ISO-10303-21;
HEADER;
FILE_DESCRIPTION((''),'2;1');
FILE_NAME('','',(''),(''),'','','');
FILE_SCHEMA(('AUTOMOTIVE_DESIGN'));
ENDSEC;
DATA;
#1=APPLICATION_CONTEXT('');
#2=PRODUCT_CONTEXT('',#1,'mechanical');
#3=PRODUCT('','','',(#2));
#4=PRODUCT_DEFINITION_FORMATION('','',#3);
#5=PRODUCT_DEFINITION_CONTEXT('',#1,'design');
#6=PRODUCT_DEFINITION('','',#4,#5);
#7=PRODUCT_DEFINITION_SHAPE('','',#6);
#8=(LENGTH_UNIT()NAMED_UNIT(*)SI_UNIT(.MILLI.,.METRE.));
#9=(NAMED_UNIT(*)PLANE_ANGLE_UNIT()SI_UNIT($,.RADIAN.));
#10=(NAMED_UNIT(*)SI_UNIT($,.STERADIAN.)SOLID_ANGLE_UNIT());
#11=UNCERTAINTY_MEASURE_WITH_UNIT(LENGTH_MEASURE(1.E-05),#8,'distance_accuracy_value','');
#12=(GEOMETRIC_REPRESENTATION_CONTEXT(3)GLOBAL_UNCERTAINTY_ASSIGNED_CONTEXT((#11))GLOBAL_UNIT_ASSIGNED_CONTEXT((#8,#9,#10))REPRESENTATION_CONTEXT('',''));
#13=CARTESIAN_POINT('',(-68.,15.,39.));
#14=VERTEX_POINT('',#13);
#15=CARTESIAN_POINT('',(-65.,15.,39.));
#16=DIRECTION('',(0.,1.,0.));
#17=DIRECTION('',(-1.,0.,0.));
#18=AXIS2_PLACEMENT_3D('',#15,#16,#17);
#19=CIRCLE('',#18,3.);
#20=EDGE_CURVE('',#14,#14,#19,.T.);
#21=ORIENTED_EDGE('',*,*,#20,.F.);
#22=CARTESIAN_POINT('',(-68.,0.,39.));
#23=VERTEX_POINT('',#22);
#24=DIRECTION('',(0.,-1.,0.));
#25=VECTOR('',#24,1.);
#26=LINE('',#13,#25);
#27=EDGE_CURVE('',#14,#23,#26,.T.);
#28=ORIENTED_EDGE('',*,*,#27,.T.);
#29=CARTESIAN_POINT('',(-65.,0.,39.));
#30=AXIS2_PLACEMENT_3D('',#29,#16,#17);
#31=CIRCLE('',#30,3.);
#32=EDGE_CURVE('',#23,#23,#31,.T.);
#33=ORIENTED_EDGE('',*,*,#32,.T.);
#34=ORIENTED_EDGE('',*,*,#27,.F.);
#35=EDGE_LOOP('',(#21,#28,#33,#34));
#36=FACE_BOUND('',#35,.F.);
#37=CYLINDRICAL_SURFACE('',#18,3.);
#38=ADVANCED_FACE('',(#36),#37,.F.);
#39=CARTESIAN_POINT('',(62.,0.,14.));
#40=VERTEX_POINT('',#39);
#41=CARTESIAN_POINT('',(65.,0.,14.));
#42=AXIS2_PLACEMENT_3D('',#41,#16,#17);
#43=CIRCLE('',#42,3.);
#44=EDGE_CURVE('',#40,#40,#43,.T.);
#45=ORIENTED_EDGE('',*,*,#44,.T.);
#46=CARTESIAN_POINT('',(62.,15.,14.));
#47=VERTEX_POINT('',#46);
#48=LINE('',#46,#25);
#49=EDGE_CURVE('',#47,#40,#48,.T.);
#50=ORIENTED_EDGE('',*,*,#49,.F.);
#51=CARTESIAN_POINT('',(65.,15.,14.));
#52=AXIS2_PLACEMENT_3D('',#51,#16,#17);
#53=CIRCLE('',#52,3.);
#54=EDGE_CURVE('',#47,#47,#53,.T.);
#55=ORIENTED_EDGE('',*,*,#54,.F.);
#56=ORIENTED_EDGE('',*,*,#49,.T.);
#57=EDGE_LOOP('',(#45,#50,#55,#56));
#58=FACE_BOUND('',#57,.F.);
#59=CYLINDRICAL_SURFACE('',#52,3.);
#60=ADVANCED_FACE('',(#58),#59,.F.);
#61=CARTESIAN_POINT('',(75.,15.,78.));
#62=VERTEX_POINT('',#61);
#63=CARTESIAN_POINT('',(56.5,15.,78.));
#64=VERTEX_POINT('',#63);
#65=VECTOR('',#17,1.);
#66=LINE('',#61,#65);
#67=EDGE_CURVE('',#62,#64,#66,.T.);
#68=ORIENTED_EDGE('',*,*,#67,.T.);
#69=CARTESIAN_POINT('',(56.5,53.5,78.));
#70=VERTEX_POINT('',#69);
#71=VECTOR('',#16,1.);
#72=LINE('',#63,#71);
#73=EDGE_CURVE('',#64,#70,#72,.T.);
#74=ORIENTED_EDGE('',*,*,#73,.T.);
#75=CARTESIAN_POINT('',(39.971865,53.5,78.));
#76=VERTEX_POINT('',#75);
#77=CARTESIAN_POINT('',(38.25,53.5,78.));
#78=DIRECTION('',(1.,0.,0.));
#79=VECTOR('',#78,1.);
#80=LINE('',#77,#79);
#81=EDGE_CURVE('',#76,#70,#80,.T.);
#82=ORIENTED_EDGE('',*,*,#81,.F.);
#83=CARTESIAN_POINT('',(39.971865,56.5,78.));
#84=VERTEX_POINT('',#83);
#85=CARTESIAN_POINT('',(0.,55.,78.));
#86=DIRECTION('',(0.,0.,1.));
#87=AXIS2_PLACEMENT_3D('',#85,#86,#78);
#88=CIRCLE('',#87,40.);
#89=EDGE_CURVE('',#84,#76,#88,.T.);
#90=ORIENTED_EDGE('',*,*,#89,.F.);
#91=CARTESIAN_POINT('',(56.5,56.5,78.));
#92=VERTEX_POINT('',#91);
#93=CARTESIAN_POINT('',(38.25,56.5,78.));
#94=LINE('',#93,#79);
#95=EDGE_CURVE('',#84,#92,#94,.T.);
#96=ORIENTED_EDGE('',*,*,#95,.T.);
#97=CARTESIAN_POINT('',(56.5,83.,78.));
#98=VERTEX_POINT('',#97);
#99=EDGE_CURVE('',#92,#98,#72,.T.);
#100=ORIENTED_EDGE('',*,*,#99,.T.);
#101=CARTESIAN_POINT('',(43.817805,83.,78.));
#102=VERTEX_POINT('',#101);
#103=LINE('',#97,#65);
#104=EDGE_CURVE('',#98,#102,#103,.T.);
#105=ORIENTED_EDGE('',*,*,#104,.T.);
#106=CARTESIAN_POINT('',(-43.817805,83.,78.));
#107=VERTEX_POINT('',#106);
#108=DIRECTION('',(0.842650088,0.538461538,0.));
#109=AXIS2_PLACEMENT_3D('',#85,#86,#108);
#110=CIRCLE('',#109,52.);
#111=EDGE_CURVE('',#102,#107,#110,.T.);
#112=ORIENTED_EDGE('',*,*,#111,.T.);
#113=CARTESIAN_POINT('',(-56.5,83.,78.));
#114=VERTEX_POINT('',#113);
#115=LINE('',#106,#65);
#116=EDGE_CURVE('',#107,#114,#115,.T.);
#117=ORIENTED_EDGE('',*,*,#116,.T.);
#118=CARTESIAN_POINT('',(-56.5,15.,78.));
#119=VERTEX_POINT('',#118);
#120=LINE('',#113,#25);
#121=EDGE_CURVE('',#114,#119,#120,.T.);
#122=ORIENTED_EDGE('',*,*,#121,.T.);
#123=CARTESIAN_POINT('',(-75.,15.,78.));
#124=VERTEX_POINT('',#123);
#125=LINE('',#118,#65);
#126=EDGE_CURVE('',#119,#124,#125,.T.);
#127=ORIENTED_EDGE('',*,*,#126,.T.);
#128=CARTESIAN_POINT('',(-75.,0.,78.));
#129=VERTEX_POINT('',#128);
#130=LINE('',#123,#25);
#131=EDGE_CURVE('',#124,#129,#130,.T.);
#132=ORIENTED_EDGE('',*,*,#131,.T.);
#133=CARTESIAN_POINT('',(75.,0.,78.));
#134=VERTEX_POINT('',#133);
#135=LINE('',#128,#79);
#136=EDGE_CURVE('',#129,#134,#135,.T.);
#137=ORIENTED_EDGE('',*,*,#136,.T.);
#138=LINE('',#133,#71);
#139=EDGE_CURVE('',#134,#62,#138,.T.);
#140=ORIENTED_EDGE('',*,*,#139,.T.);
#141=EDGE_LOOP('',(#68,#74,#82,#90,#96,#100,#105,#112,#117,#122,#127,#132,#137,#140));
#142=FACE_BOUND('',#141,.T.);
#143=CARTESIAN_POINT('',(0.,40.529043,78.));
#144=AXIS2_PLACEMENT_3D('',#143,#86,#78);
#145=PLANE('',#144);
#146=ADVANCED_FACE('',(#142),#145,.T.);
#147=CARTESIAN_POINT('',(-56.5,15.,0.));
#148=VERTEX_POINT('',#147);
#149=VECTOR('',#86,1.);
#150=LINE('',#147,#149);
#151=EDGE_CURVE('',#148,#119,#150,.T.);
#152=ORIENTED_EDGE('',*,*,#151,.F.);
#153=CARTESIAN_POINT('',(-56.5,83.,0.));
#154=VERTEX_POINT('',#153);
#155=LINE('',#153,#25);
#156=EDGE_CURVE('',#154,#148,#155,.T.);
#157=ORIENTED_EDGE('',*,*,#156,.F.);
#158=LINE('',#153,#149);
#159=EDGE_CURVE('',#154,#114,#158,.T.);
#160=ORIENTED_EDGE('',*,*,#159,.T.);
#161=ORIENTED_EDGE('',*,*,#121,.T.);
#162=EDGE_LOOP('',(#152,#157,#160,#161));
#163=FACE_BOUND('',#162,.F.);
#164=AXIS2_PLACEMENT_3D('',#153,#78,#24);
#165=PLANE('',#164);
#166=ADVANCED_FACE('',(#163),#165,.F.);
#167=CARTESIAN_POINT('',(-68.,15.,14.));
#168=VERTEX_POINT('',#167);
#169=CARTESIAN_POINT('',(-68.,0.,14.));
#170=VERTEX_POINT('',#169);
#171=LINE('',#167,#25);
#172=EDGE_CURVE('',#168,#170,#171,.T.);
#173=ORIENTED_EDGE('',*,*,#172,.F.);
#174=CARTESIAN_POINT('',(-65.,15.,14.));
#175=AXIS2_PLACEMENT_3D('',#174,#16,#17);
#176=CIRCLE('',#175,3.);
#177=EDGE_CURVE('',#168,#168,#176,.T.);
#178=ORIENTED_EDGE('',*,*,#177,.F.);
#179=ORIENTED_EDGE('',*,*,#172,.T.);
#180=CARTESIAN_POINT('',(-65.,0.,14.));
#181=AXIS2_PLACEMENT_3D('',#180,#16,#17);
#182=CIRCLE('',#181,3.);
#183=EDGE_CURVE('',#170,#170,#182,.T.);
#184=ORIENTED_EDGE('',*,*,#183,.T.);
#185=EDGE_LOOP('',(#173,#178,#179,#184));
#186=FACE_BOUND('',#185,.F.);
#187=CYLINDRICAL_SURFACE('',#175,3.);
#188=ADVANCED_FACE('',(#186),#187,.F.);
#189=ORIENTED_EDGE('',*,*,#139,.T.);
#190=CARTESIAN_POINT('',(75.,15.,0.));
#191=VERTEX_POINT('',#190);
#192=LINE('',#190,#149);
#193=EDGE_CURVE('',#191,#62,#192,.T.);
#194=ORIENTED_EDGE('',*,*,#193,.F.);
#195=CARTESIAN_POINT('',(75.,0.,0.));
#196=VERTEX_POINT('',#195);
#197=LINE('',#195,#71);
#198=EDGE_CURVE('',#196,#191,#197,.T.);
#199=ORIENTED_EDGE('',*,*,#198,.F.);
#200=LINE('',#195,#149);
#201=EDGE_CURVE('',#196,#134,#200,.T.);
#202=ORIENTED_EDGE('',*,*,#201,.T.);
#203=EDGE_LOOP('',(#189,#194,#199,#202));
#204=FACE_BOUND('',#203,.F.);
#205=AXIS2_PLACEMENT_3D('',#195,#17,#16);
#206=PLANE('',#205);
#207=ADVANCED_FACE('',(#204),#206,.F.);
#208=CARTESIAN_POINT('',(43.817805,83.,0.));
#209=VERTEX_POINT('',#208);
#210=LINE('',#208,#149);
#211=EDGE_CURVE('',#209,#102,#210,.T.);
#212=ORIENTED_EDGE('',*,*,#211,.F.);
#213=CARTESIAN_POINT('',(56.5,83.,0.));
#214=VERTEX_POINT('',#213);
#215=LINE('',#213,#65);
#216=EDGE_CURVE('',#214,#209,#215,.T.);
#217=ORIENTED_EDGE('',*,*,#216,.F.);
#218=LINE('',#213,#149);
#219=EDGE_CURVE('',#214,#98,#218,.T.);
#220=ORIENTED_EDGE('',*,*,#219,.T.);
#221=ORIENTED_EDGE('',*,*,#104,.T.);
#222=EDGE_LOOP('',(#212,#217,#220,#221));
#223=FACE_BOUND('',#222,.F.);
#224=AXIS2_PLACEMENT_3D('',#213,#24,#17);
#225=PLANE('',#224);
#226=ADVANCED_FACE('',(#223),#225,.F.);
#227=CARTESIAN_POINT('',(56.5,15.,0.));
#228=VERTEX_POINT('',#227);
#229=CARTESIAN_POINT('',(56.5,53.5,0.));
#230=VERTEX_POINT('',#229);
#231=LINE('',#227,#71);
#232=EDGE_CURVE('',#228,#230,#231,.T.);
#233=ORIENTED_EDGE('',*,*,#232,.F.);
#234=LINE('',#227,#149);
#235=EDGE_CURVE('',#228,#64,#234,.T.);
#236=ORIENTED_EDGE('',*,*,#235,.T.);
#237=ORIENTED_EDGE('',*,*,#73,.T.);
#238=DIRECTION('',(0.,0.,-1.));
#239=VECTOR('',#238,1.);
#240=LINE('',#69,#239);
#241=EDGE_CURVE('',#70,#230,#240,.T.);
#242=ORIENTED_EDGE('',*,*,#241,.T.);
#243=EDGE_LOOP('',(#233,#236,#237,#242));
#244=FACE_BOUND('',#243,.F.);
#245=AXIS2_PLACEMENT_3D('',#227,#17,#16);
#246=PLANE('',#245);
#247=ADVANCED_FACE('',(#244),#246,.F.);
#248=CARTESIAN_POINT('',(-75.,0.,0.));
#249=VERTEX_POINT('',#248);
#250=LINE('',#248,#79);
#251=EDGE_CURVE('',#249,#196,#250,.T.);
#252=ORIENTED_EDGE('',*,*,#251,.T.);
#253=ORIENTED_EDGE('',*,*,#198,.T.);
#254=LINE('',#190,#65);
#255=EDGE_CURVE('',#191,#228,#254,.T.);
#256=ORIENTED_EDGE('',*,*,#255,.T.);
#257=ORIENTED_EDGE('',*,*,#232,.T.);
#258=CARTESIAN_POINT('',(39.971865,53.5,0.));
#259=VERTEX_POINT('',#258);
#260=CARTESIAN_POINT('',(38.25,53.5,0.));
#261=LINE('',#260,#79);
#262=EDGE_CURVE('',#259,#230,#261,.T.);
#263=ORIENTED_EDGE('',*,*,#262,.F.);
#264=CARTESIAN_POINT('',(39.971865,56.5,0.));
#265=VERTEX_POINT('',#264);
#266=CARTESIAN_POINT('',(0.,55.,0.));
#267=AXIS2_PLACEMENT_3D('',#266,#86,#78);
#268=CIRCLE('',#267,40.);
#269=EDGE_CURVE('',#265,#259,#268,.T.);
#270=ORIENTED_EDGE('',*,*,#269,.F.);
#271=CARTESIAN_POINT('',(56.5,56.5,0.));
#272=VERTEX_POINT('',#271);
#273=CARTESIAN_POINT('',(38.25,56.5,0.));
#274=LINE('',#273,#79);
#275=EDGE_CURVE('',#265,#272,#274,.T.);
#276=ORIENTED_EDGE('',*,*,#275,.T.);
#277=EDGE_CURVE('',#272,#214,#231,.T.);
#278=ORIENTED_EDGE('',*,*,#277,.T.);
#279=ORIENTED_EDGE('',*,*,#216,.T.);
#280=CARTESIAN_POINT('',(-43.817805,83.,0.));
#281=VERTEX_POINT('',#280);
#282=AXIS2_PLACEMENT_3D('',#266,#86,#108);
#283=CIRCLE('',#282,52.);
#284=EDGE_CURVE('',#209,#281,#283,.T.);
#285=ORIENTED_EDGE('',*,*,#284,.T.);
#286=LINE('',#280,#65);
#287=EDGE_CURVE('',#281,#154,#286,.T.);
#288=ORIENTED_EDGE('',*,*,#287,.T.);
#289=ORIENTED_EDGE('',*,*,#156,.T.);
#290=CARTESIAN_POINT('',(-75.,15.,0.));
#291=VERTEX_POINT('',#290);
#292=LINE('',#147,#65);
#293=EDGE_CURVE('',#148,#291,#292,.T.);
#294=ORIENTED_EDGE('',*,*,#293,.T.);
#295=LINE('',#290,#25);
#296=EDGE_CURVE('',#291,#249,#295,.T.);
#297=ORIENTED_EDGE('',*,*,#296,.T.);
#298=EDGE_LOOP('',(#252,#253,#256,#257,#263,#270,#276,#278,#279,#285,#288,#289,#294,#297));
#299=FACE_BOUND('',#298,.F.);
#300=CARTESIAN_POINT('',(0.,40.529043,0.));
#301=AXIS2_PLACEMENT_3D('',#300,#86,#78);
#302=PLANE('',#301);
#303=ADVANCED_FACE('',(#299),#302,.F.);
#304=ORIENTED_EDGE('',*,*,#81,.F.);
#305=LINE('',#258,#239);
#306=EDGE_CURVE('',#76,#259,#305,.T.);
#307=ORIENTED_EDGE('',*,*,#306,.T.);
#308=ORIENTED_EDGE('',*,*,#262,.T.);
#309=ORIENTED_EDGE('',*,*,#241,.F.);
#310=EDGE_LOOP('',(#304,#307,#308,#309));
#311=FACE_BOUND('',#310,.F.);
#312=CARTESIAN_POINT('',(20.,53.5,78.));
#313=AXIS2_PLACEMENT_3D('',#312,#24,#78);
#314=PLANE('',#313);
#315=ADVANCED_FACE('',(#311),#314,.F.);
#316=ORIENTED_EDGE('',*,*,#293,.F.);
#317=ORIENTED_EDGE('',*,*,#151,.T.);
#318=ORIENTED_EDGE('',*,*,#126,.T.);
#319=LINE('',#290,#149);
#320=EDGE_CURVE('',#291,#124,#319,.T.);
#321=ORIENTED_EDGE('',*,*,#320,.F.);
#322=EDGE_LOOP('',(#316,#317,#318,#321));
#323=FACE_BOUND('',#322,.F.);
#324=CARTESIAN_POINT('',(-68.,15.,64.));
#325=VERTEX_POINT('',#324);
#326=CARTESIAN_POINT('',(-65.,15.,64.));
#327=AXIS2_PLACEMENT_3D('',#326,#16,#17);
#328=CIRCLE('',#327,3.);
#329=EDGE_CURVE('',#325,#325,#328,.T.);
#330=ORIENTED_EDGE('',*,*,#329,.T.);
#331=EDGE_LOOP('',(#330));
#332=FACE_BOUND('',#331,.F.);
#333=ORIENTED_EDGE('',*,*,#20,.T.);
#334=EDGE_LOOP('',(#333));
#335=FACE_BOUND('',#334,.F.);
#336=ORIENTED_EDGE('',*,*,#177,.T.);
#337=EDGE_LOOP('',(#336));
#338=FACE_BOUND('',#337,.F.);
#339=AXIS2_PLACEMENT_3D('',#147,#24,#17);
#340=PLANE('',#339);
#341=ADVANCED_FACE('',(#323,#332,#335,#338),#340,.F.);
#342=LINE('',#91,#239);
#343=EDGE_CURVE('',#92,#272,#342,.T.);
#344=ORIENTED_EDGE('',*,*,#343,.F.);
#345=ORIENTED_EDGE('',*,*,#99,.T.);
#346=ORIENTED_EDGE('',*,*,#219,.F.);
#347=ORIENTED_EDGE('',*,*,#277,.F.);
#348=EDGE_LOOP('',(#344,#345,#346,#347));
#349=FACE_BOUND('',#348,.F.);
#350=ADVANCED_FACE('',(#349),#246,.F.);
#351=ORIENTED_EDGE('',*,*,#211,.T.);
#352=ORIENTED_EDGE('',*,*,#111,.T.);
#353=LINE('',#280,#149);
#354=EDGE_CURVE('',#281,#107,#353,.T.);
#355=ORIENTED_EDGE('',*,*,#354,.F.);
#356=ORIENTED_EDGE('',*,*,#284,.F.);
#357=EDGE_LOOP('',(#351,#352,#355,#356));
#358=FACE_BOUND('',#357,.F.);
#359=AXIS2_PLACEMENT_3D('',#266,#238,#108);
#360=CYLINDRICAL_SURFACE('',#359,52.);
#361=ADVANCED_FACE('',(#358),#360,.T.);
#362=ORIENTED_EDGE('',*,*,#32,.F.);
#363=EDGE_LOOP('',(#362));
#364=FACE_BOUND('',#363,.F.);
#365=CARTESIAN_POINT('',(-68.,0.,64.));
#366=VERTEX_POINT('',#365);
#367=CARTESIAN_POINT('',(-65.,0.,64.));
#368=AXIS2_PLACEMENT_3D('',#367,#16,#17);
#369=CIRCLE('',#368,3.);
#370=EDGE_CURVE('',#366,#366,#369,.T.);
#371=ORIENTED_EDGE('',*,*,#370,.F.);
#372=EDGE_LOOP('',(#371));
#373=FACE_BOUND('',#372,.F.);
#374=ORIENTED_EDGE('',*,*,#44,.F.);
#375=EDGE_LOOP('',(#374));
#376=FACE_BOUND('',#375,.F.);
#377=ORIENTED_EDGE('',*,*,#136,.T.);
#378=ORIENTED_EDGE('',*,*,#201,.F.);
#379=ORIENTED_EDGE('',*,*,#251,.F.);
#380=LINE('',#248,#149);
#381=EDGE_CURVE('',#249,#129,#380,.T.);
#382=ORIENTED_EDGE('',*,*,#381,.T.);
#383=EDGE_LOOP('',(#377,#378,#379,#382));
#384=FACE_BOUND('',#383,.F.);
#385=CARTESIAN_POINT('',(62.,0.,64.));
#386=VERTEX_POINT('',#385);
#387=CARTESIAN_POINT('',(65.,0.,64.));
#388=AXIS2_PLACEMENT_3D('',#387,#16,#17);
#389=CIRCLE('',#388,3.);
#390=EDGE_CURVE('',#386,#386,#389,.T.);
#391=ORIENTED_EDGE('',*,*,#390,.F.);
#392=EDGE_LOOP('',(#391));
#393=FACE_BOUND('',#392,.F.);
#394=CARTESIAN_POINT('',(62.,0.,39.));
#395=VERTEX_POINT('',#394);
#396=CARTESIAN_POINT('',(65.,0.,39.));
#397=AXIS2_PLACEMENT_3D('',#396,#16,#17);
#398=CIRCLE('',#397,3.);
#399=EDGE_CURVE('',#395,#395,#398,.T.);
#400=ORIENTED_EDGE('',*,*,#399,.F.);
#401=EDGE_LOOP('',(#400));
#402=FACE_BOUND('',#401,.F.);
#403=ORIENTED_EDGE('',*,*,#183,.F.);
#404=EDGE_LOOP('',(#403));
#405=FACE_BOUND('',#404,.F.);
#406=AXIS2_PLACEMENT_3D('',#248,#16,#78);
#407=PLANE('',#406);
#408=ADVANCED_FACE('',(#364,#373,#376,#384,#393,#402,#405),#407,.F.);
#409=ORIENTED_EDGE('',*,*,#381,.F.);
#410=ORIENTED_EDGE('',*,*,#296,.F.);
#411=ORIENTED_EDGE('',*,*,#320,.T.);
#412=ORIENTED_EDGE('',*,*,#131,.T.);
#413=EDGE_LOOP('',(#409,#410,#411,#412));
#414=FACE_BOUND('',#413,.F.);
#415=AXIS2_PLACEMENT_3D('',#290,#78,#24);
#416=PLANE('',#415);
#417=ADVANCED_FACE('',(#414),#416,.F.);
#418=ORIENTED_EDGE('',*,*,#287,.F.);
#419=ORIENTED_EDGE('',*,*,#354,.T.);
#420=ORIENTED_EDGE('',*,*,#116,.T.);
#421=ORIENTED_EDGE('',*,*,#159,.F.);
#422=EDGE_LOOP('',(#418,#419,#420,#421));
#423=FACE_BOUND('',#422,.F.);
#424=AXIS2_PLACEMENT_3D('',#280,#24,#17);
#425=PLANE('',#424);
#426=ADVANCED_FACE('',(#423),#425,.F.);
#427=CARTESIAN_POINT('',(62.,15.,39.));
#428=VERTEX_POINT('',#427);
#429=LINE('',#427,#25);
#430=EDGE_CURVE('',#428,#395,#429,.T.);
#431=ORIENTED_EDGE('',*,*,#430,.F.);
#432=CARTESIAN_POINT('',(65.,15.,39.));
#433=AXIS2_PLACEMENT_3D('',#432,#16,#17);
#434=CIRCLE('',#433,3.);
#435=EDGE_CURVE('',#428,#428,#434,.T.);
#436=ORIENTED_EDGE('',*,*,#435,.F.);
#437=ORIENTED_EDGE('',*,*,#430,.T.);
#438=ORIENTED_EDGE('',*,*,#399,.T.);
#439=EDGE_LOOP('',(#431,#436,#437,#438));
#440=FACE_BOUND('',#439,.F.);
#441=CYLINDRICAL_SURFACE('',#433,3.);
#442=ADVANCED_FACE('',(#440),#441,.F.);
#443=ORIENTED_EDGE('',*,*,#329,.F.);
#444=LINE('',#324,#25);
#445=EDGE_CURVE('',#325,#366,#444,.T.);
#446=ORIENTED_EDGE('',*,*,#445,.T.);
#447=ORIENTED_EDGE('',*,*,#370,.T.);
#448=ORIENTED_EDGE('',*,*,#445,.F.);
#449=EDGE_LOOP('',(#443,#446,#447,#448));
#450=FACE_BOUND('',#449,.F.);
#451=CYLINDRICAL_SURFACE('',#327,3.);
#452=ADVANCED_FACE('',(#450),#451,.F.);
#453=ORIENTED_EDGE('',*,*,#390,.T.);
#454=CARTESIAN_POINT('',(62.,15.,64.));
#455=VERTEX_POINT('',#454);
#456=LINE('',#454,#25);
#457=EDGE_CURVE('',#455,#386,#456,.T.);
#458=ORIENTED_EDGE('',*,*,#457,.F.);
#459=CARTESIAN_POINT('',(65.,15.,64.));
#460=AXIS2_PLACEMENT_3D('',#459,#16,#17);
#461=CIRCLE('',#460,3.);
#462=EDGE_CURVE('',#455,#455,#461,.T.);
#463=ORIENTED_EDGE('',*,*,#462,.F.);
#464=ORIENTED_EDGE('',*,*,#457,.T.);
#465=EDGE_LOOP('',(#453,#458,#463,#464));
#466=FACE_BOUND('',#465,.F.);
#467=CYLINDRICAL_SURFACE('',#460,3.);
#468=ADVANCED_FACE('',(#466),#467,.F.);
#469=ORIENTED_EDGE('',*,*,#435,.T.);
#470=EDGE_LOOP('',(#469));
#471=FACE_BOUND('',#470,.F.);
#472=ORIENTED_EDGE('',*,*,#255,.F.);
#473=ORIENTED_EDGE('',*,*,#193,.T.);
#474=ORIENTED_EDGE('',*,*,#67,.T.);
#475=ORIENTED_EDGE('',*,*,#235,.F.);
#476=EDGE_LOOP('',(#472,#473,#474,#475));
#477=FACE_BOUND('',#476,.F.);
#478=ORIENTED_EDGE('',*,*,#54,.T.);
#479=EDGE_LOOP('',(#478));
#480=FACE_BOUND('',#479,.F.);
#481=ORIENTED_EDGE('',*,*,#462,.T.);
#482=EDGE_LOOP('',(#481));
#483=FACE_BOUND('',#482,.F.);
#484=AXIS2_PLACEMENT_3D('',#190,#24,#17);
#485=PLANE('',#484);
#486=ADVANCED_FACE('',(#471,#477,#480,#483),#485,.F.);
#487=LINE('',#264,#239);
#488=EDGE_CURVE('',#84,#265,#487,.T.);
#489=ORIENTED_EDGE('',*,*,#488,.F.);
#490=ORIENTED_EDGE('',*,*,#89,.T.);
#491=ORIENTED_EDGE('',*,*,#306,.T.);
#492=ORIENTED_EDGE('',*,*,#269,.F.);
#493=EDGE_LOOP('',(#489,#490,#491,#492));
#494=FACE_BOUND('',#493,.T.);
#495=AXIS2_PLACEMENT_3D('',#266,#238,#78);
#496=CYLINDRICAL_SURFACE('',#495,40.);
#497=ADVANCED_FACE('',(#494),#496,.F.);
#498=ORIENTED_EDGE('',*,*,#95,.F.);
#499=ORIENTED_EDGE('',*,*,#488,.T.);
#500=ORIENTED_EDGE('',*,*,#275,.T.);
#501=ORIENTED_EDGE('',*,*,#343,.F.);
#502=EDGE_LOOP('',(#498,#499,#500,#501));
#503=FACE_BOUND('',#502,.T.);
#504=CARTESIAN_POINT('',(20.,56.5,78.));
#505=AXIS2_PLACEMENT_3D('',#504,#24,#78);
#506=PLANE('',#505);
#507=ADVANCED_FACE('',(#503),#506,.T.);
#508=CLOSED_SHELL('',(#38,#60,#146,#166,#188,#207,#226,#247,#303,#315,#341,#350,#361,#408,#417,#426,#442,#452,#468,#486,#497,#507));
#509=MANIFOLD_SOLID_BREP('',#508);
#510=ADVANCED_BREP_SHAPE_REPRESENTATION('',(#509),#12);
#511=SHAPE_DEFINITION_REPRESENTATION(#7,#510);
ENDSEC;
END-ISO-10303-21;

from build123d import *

# Parameters (mm, degrees)
ESQUISSE1_R             = 40
BOSS_EXTRU_1_DEPTH      = 78
ESQUISSE2_W             = 36.5
ESQUISSE2_H             = 3
ENL_V_MAT_EXTRU_1_DEPTH = 78
ESQUISSE3_R             = 3
ENL_V_MAT_EXTRU_2_DEPTH = 15


with BuildPart() as part:
    # Esquisse1 → Boss.-Extru.1 (new body)
    with BuildSketch(Plane.XY):
        with BuildLine():
            Line((-75, 0), (75, 0))
            Line((75, 0), (75, 15))
            Line((75, 15), (56.5, 15))
            Line((56.5, 15), (56.5, 83))
            Line((56.5, 83), (43.8178046, 83))
            ThreePointArc((43.8178046, 83), (0, 107), (-43.8178046, 83))
            Line((-43.8178046, 83), (-56.5, 83))
            Line((-56.5, 83), (-56.5, 15))
            Line((-56.5, 15), (-75, 15))
            Line((-75, 15), (-75, 0))
        make_face()
        with Locations((0, 55)):
            Circle(ESQUISSE1_R, mode=Mode.SUBTRACT)
    extrude(amount=BOSS_EXTRU_1_DEPTH)

    # Esquisse2 → Enlèv. mat.-Extru.1 (cut)
    with BuildSketch(Plane.XY.offset(78)):
        with Locations((38.25, 55)):
            Rectangle(ESQUISSE2_W, ESQUISSE2_H)
    extrude(amount=-ENL_V_MAT_EXTRU_1_DEPTH, mode=Mode.SUBTRACT)

    # Esquisse3 → Enlèv. mat.-Extru.2 (cut)
    with BuildSketch(Plane(origin=(0, 15, 0), x_dir=(1, 0, 0), z_dir=(0, 1, 0))):
        with Locations(Location((-65, -39, 0), (0, 0, 180))):
            Circle(ESQUISSE3_R)
        with Locations(Location((-65, -14, 0), (0, 0, 180))):
            Circle(ESQUISSE3_R)
        with Locations(Location((-65, -64, 0), (0, 0, 180))):
            Circle(ESQUISSE3_R)
        with Locations(Location((65, -64, 0), (0, 0, 180))):
            Circle(ESQUISSE3_R)
        with Locations(Location((65, -14, 0), (0, 0, 180))):
            Circle(ESQUISSE3_R)
        with Locations(Location((65, -39, 0), (0, 0, 180))):
            Circle(ESQUISSE3_R)
    extrude(amount=-ENL_V_MAT_EXTRU_2_DEPTH, mode=Mode.SUBTRACT)


solid = part.part
